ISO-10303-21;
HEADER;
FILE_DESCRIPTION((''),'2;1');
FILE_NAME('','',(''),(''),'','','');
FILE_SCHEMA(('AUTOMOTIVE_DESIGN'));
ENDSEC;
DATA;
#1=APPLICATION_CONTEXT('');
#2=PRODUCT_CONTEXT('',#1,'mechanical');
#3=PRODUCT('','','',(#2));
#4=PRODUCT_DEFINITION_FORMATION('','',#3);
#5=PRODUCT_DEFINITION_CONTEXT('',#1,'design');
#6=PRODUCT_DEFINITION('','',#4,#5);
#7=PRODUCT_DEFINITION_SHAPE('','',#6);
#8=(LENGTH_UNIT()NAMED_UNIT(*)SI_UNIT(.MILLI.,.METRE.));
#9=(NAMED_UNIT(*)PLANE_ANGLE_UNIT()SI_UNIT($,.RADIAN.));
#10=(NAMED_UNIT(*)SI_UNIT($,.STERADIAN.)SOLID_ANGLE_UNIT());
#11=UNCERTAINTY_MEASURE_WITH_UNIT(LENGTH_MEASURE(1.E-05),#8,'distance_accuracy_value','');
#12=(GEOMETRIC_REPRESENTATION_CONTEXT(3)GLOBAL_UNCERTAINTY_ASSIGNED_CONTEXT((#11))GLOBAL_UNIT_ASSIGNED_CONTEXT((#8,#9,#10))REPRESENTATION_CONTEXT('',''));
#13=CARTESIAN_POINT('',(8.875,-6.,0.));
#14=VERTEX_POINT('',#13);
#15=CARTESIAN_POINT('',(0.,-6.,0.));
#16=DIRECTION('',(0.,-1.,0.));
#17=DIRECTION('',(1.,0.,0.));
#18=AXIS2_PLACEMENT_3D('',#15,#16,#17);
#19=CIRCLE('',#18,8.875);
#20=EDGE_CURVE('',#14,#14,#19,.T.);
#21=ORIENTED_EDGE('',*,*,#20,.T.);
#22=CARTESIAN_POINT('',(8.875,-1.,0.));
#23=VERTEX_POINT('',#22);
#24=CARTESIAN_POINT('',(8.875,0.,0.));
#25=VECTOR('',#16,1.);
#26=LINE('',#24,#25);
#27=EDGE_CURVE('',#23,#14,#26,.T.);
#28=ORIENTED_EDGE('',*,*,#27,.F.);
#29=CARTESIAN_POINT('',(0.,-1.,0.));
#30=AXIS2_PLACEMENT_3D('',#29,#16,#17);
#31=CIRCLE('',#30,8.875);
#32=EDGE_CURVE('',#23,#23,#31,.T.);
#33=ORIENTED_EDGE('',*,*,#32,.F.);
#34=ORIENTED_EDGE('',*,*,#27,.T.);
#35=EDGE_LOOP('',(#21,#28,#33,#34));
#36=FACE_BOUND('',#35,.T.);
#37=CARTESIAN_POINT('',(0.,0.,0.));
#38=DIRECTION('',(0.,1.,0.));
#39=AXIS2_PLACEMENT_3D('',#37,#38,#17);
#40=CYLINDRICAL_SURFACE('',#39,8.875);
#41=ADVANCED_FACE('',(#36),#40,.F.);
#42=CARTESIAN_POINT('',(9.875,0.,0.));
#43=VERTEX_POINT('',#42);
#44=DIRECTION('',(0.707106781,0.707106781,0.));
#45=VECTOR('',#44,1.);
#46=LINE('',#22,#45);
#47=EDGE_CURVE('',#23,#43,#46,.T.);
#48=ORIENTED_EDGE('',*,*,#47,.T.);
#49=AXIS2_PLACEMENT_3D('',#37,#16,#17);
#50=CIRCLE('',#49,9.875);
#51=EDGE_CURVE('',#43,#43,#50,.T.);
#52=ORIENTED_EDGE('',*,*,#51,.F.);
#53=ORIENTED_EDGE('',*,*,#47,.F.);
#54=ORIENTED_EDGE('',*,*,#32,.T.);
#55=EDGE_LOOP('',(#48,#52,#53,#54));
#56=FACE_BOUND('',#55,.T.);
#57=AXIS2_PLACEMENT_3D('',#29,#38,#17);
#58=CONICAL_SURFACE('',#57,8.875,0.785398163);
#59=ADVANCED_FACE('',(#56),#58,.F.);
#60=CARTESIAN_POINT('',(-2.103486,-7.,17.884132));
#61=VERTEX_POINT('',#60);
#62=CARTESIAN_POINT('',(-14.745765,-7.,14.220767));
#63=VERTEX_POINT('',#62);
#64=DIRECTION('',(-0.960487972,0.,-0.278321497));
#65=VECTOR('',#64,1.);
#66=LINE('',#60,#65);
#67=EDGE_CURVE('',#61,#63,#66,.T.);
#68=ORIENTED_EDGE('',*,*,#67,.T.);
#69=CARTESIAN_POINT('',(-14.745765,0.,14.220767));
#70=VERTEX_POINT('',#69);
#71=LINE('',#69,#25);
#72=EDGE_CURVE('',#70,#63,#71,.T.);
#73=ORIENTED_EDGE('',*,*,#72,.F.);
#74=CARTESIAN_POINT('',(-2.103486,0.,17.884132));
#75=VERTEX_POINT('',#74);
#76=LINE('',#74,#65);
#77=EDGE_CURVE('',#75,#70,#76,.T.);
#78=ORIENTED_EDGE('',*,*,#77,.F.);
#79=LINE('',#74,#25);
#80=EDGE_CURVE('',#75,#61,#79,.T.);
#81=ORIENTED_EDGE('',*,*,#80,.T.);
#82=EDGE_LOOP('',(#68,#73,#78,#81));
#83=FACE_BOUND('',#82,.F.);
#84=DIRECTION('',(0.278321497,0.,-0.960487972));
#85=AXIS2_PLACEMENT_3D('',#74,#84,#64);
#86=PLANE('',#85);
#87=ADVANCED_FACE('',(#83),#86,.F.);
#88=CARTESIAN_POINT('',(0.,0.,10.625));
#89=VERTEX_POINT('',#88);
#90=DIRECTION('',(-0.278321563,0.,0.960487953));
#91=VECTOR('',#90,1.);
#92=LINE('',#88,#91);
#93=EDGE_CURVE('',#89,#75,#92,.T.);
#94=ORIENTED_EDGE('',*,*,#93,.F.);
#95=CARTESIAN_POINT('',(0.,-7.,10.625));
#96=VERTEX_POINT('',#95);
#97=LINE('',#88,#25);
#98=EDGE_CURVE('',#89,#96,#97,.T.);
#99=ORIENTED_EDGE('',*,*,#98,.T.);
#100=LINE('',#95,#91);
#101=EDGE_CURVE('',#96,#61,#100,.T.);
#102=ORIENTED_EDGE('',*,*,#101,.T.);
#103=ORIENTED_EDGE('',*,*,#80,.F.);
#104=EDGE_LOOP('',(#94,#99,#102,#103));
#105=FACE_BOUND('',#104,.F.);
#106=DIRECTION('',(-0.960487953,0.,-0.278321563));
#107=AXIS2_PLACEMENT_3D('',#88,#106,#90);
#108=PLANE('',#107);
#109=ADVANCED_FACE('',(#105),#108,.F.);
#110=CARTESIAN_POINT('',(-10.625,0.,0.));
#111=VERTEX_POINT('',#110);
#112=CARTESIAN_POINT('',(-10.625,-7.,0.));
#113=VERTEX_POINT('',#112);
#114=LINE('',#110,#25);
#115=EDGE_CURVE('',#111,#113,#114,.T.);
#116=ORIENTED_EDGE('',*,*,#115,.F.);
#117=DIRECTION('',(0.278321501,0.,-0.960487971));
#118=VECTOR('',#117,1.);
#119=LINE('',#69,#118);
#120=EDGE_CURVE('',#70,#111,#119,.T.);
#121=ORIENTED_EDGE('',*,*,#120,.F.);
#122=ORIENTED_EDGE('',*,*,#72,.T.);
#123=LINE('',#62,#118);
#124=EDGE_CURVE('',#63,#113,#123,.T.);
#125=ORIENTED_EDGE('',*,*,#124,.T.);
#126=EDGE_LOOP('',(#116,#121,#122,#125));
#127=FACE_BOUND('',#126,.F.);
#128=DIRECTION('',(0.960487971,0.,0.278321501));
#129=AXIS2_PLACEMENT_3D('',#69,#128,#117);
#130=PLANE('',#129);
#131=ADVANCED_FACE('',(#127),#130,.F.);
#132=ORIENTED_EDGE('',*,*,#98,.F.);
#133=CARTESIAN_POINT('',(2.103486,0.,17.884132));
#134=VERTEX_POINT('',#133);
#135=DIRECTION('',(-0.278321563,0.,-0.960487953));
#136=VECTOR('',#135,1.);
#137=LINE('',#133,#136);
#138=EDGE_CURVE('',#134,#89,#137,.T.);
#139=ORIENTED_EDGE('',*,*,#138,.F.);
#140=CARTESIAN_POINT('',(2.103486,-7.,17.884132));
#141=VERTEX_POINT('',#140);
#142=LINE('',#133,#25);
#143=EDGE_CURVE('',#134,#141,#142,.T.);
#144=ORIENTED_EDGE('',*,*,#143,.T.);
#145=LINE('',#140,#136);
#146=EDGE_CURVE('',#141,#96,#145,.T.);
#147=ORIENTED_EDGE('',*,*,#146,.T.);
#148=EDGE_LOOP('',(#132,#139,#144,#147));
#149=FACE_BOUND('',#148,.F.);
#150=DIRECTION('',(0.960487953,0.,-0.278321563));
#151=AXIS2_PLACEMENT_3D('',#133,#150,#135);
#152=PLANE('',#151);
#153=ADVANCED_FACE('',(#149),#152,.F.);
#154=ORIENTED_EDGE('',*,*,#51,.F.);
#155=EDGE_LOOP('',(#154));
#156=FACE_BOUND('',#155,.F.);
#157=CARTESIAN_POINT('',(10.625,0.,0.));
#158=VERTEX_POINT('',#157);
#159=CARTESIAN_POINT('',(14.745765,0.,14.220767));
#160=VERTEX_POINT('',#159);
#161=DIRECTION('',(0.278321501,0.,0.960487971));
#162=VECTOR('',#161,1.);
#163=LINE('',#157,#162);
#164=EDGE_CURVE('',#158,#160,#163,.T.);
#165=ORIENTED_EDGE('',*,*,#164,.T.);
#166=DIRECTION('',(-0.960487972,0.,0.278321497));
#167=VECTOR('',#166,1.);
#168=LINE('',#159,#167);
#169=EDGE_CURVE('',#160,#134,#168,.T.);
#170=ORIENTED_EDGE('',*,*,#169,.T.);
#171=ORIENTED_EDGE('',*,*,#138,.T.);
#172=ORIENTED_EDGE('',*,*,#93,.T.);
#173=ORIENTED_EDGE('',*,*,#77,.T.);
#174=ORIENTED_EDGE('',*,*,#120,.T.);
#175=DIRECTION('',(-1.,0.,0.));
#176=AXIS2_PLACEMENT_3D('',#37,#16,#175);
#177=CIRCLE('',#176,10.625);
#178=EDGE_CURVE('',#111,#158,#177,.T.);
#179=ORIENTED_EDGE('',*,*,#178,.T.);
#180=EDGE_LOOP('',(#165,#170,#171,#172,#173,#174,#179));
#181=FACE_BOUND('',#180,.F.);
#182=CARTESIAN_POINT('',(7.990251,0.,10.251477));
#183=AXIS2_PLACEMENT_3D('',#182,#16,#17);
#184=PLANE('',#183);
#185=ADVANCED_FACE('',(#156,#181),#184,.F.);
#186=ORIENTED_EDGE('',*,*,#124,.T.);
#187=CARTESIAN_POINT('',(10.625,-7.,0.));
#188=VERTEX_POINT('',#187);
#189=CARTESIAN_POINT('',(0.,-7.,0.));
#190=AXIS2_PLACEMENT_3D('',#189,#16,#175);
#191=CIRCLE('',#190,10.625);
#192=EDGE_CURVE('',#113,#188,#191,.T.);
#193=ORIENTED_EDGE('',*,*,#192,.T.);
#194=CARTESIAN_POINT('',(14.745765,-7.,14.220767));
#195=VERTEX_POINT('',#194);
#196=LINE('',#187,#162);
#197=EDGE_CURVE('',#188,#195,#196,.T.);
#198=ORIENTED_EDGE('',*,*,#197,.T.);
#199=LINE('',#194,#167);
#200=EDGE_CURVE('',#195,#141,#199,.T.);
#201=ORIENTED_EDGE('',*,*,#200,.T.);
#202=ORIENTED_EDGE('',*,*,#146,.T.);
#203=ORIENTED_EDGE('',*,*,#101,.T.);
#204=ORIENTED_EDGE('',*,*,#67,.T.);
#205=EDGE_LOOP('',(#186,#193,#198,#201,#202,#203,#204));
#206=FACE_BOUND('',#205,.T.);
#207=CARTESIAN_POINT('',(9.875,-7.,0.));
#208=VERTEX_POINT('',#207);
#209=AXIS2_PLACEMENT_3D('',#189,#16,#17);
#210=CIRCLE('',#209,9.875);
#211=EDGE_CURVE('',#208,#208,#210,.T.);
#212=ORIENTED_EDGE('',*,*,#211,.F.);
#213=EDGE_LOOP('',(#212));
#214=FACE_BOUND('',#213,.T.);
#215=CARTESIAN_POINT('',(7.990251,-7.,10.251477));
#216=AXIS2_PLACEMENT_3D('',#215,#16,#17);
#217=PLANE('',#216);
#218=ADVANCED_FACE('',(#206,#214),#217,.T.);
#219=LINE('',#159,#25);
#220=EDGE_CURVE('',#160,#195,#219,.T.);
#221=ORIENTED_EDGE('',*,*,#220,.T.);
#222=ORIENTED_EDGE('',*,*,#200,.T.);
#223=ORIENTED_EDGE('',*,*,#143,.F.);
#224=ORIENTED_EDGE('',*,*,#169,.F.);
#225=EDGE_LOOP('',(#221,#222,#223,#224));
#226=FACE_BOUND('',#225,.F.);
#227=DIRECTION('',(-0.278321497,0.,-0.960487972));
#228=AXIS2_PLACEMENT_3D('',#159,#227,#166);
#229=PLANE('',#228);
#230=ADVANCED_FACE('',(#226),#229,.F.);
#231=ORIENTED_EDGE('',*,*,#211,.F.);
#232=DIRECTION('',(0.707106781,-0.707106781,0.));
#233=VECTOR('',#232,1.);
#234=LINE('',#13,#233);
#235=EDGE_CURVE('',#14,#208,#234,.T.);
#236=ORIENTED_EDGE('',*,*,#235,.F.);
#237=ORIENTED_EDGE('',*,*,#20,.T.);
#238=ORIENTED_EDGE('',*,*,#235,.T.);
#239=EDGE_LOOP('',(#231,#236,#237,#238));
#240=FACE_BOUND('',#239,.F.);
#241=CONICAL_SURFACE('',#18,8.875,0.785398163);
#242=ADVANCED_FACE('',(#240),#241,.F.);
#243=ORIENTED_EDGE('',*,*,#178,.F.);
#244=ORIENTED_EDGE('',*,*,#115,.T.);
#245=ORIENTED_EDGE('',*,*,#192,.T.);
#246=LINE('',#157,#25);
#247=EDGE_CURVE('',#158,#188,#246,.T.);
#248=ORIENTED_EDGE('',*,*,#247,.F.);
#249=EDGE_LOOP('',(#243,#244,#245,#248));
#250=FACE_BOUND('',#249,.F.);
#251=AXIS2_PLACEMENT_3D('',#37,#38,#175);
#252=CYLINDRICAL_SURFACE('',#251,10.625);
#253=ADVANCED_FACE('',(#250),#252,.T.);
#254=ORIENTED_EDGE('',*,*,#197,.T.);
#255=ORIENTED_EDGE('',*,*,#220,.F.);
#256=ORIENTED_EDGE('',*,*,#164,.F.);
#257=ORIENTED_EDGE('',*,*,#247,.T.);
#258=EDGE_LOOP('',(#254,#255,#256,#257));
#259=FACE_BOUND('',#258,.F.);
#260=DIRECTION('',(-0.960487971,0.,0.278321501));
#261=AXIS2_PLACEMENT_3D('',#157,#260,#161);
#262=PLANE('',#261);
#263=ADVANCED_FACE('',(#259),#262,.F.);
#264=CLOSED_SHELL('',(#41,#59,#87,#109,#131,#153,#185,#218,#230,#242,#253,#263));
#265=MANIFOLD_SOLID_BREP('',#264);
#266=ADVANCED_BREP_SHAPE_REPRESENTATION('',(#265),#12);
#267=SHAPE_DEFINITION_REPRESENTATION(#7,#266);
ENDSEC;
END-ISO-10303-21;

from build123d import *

# Parameters (mm, degrees)
F0_R     = 8.875
F1_DEPTH = 7
F2_SIZE  = 1


with BuildPart() as f1:
    # F0 (on Front) → F1 (new body)
    with BuildSketch(Plane.XZ):
        with BuildLine():
            ThreePointArc((0, 10.625), (7.51301, 7.51301), (10.625, 0))
            Line((10.625, 0), (14.745765, 14.220767))
            Line((14.745765, 14.220767), (2.103486, 17.884132))
            Line((2.103486, 17.884132), (0, 10.625))
        make_face()
        with BuildLine():
            ThreePointArc((-10.625, 0), (-7.51301, 7.51301), (0, 10.625))
            Line((0, 10.625), (-2.103486, 17.884132))
            Line((-2.103486, 17.884132), (-14.745765, 14.220767))
            Line((-14.745765, 14.220767), (-10.625, 0))
        make_face()
        with BuildLine():
            ThreePointArc((-10.625, 0), (0, -10.625), (10.625, 0))
            ThreePointArc((10.625, 0), (7.51301, 7.51301), (0, 10.625))
            ThreePointArc((0, 10.625), (-7.51301, 7.51301), (-10.625, 0))
        make_face()
        Circle(F0_R, mode=Mode.SUBTRACT)
    extrude(amount=F1_DEPTH)

    # F2
    f2_edges = [f1.edges().sort_by_distance(p)[0] for p in [
        (-8.875, 0, 0),
        (-8.875, -7, 0),
    ]]
    chamfer(f2_edges, length=F2_SIZE)


solid = f1.part
